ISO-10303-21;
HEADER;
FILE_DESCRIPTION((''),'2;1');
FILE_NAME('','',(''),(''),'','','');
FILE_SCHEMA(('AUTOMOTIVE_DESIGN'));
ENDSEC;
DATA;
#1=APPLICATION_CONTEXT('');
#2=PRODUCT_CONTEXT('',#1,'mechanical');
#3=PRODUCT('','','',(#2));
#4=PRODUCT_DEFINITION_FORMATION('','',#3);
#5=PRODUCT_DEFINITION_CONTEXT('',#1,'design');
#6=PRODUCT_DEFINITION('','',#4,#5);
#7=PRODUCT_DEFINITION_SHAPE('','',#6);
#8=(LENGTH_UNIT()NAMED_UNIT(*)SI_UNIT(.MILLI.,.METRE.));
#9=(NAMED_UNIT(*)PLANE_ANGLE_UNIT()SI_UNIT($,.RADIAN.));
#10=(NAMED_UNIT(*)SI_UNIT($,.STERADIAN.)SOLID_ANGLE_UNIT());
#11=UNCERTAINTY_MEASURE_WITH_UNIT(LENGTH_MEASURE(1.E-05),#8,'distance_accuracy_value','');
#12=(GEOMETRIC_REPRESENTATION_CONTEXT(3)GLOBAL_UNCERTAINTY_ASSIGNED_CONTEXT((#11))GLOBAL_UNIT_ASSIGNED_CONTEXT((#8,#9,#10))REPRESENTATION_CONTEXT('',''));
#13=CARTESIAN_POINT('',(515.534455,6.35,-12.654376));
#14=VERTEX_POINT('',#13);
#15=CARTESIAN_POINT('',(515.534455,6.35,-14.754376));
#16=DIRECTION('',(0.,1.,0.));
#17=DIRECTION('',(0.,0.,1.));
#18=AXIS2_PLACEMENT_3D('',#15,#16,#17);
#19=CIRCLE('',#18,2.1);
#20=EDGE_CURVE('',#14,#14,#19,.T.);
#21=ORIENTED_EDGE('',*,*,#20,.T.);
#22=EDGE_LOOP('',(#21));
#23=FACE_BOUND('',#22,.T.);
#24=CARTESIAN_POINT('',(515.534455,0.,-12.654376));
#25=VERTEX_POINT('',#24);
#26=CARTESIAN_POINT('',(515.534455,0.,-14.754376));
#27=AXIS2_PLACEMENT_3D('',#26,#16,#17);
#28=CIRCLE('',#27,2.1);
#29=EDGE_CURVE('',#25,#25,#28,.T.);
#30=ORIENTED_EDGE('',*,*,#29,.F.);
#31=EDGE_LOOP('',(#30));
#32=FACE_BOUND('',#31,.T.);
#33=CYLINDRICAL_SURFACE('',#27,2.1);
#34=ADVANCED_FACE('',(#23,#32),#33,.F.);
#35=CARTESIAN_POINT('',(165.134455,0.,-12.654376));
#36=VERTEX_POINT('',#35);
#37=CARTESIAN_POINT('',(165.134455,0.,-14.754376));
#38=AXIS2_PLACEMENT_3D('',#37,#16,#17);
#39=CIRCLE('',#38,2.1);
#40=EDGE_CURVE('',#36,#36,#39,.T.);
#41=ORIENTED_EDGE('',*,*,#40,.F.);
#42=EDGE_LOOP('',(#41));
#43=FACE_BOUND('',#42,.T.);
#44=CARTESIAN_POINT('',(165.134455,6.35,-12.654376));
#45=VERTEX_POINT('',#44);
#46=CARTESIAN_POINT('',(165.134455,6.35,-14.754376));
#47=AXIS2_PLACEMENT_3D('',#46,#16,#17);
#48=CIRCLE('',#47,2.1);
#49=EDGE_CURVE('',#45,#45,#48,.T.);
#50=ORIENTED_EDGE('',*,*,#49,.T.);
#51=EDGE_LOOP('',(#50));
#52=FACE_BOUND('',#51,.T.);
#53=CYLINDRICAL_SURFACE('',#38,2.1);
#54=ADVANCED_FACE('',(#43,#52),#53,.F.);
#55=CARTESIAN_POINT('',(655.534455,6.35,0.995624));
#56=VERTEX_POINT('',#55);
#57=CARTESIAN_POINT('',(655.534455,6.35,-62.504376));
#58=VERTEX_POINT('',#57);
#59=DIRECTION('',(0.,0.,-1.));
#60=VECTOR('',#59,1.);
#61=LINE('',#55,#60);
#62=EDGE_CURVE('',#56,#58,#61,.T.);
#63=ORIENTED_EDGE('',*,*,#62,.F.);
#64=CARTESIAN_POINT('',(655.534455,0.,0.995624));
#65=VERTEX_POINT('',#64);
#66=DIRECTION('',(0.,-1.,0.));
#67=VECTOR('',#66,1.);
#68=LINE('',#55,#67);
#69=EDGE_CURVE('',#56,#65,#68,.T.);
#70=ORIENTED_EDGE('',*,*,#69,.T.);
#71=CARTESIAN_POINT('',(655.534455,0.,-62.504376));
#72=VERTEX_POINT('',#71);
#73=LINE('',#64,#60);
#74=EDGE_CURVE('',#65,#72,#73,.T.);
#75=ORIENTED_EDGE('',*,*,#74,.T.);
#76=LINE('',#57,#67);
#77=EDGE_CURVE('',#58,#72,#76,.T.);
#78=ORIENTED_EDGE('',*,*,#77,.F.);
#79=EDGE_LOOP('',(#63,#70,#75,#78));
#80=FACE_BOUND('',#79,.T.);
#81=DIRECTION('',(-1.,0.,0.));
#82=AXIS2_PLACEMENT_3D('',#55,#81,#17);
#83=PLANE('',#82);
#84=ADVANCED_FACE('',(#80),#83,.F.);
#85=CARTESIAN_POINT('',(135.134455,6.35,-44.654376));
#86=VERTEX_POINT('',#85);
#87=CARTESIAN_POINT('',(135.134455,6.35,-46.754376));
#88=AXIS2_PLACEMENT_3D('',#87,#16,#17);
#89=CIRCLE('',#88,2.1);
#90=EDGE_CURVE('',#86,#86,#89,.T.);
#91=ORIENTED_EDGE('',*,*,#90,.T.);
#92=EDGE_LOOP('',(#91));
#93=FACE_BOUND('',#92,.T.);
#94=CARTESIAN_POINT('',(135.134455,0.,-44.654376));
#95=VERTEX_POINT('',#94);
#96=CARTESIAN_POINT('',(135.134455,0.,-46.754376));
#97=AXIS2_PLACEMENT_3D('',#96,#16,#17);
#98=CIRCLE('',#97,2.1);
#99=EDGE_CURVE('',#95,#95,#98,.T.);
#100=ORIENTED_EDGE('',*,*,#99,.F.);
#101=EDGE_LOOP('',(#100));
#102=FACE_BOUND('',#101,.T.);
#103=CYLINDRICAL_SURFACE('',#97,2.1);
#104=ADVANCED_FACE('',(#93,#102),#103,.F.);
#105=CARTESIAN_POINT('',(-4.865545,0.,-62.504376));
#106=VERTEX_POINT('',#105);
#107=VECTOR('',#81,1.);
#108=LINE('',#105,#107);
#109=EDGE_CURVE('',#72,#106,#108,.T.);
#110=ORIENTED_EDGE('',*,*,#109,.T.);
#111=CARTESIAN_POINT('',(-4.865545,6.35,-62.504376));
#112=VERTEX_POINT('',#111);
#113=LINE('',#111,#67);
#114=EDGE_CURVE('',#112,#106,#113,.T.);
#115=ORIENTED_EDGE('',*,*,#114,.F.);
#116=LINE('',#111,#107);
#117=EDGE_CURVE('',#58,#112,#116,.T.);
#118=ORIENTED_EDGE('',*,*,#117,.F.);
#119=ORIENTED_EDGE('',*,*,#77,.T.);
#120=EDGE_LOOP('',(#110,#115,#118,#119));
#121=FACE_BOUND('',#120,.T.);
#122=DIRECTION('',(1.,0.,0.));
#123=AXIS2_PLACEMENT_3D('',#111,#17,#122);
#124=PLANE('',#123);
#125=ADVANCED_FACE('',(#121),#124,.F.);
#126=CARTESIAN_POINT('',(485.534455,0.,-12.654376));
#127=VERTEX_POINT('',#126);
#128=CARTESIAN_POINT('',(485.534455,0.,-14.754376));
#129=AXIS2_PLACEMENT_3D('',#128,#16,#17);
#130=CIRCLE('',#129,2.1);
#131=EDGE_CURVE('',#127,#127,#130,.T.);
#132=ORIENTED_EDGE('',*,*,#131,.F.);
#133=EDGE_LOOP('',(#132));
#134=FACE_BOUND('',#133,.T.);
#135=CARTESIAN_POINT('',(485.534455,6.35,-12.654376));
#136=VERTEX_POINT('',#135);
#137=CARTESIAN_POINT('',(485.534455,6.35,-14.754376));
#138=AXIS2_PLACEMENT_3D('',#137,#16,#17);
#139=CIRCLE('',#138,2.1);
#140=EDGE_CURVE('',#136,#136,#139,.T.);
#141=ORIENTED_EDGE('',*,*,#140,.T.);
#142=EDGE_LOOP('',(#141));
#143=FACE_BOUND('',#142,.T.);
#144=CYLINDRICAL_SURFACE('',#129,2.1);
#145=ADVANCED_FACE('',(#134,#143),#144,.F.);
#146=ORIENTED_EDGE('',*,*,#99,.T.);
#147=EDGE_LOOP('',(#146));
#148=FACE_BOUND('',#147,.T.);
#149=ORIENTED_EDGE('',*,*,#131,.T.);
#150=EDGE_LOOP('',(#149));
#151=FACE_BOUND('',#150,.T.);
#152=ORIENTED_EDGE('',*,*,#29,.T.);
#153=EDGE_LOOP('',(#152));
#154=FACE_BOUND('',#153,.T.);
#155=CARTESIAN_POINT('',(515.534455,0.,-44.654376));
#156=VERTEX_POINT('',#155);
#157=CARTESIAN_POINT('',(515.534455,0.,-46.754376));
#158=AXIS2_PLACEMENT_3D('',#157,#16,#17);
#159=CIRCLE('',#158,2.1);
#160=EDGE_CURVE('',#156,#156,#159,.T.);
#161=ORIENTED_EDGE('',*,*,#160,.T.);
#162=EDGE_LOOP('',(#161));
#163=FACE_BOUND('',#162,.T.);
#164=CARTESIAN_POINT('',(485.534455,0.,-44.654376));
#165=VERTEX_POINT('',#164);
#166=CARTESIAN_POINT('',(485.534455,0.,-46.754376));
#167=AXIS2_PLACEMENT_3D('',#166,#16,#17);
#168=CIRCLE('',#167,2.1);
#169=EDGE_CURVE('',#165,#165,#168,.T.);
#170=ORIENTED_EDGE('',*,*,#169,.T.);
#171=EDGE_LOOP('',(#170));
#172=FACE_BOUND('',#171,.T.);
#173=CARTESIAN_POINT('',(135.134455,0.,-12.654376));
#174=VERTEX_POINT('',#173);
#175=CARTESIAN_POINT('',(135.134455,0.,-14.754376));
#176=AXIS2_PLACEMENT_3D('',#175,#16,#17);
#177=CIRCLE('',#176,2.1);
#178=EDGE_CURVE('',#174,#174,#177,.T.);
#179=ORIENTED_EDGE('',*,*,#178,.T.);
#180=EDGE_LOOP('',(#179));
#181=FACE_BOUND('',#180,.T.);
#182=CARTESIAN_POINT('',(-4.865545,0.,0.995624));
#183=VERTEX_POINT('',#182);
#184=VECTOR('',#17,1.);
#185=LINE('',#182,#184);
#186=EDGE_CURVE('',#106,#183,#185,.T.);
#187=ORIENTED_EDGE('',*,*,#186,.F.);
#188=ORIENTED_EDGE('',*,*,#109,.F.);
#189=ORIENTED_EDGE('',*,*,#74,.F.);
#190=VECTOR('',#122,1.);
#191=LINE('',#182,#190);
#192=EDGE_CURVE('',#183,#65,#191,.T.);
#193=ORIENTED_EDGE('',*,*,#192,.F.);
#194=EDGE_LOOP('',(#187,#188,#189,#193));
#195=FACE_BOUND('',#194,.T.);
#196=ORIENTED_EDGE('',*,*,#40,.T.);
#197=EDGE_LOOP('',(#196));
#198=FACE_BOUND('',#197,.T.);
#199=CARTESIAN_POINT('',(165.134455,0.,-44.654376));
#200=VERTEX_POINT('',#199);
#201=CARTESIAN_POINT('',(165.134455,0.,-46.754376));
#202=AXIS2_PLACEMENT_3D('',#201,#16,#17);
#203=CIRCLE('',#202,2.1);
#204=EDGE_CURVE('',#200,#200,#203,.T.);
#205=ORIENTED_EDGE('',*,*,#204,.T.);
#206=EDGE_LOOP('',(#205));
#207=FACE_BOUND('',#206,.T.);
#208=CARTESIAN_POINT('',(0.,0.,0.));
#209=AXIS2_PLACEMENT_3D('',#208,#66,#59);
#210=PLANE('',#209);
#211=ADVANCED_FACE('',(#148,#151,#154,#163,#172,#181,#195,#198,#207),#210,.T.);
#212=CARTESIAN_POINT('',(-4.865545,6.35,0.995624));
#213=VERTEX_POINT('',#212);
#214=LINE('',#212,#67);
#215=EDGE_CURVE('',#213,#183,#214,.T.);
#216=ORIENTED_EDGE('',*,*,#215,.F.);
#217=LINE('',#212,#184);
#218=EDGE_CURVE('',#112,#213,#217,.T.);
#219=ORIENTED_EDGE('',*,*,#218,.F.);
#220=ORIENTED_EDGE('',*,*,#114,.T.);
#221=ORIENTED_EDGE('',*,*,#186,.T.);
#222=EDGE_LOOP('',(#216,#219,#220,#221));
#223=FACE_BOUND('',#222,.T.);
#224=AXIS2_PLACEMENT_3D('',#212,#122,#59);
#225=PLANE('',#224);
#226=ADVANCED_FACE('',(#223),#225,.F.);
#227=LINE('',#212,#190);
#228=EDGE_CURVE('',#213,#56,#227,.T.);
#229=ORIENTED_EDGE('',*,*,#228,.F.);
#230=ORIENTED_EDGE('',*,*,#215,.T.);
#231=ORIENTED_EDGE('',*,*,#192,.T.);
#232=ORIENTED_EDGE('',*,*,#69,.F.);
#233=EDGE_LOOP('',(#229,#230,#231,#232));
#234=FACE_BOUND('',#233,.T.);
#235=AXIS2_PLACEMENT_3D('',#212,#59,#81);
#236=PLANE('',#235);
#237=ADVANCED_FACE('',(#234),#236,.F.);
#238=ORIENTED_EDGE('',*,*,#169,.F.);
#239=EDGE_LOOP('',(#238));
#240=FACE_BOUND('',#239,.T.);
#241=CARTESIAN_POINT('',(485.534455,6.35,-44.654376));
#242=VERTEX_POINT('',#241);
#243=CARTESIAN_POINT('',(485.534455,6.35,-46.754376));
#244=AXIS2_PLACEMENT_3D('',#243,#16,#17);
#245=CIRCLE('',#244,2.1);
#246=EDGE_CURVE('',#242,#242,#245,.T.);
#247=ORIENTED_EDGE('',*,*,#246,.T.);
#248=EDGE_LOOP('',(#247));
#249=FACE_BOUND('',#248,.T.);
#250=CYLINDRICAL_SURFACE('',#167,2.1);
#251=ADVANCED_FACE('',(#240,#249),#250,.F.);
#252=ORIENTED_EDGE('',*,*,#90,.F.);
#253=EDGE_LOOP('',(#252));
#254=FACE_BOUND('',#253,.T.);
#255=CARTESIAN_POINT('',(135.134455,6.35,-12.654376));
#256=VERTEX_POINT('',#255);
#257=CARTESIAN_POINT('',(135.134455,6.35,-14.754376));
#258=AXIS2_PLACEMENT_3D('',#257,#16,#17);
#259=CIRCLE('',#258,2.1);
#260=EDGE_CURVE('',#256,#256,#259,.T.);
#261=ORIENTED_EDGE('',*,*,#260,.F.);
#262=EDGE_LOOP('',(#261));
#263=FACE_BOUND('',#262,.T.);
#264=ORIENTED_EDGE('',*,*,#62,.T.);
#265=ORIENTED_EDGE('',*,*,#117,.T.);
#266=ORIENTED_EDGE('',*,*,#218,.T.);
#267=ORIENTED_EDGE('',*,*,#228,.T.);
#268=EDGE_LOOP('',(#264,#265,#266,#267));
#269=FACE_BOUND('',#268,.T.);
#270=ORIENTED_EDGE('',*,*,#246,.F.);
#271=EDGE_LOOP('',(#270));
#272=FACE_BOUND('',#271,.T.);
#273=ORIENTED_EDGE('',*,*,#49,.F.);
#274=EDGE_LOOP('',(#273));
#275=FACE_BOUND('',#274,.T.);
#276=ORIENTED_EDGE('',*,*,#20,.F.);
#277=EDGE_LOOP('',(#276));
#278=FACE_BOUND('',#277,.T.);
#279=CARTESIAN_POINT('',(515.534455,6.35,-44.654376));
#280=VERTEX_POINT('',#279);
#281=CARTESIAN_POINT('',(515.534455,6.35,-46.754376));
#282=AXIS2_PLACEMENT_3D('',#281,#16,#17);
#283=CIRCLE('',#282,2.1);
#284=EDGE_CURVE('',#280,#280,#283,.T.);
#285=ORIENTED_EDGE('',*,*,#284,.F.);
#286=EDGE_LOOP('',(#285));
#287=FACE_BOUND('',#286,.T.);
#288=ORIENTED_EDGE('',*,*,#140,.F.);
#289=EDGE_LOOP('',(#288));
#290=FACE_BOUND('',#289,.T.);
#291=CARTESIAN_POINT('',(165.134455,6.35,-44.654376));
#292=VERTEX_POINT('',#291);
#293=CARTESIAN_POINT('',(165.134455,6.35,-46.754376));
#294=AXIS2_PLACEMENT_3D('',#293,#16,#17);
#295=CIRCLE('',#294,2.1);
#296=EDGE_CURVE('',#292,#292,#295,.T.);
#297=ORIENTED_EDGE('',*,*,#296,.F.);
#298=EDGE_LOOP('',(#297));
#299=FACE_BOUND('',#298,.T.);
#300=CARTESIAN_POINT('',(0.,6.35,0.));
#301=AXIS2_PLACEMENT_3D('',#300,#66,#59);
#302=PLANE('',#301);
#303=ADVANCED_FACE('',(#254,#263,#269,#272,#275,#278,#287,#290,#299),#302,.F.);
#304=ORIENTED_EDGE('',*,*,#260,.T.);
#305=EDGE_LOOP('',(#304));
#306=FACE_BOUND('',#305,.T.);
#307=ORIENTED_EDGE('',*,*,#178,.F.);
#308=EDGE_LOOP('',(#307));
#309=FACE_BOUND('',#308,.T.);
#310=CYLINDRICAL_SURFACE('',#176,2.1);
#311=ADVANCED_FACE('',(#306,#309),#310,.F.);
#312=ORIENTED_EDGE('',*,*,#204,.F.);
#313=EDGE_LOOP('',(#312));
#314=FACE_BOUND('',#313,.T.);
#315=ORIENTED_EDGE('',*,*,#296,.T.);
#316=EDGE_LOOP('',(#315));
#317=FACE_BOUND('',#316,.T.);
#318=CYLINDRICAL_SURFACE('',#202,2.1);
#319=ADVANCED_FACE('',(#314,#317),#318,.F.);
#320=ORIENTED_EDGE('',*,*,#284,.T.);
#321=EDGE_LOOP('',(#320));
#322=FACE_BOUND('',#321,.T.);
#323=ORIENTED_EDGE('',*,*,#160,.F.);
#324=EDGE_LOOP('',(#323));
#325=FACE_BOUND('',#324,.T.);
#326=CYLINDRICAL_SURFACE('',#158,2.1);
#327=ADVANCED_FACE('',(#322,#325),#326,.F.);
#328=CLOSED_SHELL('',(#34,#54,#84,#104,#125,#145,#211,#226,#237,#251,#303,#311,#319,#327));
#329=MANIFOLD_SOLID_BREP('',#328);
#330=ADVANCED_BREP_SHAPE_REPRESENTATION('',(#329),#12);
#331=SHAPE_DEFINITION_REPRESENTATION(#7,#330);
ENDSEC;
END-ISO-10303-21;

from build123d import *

# Parameters (mm, degrees)
SKETCH1_W           = 660.4
SKETCH1_H           = 63.5
BOSS_EXTRUDE1_DEPTH = 6.35
SKETCH2_R           = 2.1
CUT_EXTRUDE1_DEPTH  = 659.538185439


with BuildPart() as part:
    # Sketch1 → Boss-Extrude1 (new body)
    with BuildSketch(Plane(origin=(0, 0, 0), x_dir=(1, 0, 0), z_dir=(0, 1, 0))):
        with Locations((325.334455323, 30.754376368)):
            Rectangle(SKETCH1_W, SKETCH1_H)
    extrude(amount=BOSS_EXTRUDE1_DEPTH)

    # Sketch2 → Cut-Extrude1 (cut, through all)
    with BuildSketch(Plane(origin=(0, 6.35, 0), x_dir=(1, 0, 0), z_dir=(0, 1, 0))):
        with Locations(Location((515.534455323, 46.754376368, 0), (0, 0, 270))):
            Circle(SKETCH2_R)
        with Locations(Location((515.534455323, 14.754376368, 0), (0, 0, 270))):
            Circle(SKETCH2_R)
        with Locations(Location((485.534455323, 46.754376368, 0), (0, 0, 270))):
            Circle(SKETCH2_R)
        with Locations(Location((485.534455323, 14.754376368, 0), (0, 0, 270))):
            Circle(SKETCH2_R)
        with Locations(Location((165.134455323, 46.754376368, 0), (0, 0, 270))):
            Circle(SKETCH2_R)
        with Locations(Location((165.134455323, 14.754376368, 0), (0, 0, 270))):
            Circle(SKETCH2_R)
        with Locations(Location((135.134455323, 46.754376368, 0), (0, 0, 270))):
            Circle(SKETCH2_R)
        with Locations(Location((135.134455323, 14.754376368, 0), (0, 0, 270))):
            Circle(SKETCH2_R)
    extrude(amount=-CUT_EXTRUDE1_DEPTH, mode=Mode.SUBTRACT)


solid = part.part
